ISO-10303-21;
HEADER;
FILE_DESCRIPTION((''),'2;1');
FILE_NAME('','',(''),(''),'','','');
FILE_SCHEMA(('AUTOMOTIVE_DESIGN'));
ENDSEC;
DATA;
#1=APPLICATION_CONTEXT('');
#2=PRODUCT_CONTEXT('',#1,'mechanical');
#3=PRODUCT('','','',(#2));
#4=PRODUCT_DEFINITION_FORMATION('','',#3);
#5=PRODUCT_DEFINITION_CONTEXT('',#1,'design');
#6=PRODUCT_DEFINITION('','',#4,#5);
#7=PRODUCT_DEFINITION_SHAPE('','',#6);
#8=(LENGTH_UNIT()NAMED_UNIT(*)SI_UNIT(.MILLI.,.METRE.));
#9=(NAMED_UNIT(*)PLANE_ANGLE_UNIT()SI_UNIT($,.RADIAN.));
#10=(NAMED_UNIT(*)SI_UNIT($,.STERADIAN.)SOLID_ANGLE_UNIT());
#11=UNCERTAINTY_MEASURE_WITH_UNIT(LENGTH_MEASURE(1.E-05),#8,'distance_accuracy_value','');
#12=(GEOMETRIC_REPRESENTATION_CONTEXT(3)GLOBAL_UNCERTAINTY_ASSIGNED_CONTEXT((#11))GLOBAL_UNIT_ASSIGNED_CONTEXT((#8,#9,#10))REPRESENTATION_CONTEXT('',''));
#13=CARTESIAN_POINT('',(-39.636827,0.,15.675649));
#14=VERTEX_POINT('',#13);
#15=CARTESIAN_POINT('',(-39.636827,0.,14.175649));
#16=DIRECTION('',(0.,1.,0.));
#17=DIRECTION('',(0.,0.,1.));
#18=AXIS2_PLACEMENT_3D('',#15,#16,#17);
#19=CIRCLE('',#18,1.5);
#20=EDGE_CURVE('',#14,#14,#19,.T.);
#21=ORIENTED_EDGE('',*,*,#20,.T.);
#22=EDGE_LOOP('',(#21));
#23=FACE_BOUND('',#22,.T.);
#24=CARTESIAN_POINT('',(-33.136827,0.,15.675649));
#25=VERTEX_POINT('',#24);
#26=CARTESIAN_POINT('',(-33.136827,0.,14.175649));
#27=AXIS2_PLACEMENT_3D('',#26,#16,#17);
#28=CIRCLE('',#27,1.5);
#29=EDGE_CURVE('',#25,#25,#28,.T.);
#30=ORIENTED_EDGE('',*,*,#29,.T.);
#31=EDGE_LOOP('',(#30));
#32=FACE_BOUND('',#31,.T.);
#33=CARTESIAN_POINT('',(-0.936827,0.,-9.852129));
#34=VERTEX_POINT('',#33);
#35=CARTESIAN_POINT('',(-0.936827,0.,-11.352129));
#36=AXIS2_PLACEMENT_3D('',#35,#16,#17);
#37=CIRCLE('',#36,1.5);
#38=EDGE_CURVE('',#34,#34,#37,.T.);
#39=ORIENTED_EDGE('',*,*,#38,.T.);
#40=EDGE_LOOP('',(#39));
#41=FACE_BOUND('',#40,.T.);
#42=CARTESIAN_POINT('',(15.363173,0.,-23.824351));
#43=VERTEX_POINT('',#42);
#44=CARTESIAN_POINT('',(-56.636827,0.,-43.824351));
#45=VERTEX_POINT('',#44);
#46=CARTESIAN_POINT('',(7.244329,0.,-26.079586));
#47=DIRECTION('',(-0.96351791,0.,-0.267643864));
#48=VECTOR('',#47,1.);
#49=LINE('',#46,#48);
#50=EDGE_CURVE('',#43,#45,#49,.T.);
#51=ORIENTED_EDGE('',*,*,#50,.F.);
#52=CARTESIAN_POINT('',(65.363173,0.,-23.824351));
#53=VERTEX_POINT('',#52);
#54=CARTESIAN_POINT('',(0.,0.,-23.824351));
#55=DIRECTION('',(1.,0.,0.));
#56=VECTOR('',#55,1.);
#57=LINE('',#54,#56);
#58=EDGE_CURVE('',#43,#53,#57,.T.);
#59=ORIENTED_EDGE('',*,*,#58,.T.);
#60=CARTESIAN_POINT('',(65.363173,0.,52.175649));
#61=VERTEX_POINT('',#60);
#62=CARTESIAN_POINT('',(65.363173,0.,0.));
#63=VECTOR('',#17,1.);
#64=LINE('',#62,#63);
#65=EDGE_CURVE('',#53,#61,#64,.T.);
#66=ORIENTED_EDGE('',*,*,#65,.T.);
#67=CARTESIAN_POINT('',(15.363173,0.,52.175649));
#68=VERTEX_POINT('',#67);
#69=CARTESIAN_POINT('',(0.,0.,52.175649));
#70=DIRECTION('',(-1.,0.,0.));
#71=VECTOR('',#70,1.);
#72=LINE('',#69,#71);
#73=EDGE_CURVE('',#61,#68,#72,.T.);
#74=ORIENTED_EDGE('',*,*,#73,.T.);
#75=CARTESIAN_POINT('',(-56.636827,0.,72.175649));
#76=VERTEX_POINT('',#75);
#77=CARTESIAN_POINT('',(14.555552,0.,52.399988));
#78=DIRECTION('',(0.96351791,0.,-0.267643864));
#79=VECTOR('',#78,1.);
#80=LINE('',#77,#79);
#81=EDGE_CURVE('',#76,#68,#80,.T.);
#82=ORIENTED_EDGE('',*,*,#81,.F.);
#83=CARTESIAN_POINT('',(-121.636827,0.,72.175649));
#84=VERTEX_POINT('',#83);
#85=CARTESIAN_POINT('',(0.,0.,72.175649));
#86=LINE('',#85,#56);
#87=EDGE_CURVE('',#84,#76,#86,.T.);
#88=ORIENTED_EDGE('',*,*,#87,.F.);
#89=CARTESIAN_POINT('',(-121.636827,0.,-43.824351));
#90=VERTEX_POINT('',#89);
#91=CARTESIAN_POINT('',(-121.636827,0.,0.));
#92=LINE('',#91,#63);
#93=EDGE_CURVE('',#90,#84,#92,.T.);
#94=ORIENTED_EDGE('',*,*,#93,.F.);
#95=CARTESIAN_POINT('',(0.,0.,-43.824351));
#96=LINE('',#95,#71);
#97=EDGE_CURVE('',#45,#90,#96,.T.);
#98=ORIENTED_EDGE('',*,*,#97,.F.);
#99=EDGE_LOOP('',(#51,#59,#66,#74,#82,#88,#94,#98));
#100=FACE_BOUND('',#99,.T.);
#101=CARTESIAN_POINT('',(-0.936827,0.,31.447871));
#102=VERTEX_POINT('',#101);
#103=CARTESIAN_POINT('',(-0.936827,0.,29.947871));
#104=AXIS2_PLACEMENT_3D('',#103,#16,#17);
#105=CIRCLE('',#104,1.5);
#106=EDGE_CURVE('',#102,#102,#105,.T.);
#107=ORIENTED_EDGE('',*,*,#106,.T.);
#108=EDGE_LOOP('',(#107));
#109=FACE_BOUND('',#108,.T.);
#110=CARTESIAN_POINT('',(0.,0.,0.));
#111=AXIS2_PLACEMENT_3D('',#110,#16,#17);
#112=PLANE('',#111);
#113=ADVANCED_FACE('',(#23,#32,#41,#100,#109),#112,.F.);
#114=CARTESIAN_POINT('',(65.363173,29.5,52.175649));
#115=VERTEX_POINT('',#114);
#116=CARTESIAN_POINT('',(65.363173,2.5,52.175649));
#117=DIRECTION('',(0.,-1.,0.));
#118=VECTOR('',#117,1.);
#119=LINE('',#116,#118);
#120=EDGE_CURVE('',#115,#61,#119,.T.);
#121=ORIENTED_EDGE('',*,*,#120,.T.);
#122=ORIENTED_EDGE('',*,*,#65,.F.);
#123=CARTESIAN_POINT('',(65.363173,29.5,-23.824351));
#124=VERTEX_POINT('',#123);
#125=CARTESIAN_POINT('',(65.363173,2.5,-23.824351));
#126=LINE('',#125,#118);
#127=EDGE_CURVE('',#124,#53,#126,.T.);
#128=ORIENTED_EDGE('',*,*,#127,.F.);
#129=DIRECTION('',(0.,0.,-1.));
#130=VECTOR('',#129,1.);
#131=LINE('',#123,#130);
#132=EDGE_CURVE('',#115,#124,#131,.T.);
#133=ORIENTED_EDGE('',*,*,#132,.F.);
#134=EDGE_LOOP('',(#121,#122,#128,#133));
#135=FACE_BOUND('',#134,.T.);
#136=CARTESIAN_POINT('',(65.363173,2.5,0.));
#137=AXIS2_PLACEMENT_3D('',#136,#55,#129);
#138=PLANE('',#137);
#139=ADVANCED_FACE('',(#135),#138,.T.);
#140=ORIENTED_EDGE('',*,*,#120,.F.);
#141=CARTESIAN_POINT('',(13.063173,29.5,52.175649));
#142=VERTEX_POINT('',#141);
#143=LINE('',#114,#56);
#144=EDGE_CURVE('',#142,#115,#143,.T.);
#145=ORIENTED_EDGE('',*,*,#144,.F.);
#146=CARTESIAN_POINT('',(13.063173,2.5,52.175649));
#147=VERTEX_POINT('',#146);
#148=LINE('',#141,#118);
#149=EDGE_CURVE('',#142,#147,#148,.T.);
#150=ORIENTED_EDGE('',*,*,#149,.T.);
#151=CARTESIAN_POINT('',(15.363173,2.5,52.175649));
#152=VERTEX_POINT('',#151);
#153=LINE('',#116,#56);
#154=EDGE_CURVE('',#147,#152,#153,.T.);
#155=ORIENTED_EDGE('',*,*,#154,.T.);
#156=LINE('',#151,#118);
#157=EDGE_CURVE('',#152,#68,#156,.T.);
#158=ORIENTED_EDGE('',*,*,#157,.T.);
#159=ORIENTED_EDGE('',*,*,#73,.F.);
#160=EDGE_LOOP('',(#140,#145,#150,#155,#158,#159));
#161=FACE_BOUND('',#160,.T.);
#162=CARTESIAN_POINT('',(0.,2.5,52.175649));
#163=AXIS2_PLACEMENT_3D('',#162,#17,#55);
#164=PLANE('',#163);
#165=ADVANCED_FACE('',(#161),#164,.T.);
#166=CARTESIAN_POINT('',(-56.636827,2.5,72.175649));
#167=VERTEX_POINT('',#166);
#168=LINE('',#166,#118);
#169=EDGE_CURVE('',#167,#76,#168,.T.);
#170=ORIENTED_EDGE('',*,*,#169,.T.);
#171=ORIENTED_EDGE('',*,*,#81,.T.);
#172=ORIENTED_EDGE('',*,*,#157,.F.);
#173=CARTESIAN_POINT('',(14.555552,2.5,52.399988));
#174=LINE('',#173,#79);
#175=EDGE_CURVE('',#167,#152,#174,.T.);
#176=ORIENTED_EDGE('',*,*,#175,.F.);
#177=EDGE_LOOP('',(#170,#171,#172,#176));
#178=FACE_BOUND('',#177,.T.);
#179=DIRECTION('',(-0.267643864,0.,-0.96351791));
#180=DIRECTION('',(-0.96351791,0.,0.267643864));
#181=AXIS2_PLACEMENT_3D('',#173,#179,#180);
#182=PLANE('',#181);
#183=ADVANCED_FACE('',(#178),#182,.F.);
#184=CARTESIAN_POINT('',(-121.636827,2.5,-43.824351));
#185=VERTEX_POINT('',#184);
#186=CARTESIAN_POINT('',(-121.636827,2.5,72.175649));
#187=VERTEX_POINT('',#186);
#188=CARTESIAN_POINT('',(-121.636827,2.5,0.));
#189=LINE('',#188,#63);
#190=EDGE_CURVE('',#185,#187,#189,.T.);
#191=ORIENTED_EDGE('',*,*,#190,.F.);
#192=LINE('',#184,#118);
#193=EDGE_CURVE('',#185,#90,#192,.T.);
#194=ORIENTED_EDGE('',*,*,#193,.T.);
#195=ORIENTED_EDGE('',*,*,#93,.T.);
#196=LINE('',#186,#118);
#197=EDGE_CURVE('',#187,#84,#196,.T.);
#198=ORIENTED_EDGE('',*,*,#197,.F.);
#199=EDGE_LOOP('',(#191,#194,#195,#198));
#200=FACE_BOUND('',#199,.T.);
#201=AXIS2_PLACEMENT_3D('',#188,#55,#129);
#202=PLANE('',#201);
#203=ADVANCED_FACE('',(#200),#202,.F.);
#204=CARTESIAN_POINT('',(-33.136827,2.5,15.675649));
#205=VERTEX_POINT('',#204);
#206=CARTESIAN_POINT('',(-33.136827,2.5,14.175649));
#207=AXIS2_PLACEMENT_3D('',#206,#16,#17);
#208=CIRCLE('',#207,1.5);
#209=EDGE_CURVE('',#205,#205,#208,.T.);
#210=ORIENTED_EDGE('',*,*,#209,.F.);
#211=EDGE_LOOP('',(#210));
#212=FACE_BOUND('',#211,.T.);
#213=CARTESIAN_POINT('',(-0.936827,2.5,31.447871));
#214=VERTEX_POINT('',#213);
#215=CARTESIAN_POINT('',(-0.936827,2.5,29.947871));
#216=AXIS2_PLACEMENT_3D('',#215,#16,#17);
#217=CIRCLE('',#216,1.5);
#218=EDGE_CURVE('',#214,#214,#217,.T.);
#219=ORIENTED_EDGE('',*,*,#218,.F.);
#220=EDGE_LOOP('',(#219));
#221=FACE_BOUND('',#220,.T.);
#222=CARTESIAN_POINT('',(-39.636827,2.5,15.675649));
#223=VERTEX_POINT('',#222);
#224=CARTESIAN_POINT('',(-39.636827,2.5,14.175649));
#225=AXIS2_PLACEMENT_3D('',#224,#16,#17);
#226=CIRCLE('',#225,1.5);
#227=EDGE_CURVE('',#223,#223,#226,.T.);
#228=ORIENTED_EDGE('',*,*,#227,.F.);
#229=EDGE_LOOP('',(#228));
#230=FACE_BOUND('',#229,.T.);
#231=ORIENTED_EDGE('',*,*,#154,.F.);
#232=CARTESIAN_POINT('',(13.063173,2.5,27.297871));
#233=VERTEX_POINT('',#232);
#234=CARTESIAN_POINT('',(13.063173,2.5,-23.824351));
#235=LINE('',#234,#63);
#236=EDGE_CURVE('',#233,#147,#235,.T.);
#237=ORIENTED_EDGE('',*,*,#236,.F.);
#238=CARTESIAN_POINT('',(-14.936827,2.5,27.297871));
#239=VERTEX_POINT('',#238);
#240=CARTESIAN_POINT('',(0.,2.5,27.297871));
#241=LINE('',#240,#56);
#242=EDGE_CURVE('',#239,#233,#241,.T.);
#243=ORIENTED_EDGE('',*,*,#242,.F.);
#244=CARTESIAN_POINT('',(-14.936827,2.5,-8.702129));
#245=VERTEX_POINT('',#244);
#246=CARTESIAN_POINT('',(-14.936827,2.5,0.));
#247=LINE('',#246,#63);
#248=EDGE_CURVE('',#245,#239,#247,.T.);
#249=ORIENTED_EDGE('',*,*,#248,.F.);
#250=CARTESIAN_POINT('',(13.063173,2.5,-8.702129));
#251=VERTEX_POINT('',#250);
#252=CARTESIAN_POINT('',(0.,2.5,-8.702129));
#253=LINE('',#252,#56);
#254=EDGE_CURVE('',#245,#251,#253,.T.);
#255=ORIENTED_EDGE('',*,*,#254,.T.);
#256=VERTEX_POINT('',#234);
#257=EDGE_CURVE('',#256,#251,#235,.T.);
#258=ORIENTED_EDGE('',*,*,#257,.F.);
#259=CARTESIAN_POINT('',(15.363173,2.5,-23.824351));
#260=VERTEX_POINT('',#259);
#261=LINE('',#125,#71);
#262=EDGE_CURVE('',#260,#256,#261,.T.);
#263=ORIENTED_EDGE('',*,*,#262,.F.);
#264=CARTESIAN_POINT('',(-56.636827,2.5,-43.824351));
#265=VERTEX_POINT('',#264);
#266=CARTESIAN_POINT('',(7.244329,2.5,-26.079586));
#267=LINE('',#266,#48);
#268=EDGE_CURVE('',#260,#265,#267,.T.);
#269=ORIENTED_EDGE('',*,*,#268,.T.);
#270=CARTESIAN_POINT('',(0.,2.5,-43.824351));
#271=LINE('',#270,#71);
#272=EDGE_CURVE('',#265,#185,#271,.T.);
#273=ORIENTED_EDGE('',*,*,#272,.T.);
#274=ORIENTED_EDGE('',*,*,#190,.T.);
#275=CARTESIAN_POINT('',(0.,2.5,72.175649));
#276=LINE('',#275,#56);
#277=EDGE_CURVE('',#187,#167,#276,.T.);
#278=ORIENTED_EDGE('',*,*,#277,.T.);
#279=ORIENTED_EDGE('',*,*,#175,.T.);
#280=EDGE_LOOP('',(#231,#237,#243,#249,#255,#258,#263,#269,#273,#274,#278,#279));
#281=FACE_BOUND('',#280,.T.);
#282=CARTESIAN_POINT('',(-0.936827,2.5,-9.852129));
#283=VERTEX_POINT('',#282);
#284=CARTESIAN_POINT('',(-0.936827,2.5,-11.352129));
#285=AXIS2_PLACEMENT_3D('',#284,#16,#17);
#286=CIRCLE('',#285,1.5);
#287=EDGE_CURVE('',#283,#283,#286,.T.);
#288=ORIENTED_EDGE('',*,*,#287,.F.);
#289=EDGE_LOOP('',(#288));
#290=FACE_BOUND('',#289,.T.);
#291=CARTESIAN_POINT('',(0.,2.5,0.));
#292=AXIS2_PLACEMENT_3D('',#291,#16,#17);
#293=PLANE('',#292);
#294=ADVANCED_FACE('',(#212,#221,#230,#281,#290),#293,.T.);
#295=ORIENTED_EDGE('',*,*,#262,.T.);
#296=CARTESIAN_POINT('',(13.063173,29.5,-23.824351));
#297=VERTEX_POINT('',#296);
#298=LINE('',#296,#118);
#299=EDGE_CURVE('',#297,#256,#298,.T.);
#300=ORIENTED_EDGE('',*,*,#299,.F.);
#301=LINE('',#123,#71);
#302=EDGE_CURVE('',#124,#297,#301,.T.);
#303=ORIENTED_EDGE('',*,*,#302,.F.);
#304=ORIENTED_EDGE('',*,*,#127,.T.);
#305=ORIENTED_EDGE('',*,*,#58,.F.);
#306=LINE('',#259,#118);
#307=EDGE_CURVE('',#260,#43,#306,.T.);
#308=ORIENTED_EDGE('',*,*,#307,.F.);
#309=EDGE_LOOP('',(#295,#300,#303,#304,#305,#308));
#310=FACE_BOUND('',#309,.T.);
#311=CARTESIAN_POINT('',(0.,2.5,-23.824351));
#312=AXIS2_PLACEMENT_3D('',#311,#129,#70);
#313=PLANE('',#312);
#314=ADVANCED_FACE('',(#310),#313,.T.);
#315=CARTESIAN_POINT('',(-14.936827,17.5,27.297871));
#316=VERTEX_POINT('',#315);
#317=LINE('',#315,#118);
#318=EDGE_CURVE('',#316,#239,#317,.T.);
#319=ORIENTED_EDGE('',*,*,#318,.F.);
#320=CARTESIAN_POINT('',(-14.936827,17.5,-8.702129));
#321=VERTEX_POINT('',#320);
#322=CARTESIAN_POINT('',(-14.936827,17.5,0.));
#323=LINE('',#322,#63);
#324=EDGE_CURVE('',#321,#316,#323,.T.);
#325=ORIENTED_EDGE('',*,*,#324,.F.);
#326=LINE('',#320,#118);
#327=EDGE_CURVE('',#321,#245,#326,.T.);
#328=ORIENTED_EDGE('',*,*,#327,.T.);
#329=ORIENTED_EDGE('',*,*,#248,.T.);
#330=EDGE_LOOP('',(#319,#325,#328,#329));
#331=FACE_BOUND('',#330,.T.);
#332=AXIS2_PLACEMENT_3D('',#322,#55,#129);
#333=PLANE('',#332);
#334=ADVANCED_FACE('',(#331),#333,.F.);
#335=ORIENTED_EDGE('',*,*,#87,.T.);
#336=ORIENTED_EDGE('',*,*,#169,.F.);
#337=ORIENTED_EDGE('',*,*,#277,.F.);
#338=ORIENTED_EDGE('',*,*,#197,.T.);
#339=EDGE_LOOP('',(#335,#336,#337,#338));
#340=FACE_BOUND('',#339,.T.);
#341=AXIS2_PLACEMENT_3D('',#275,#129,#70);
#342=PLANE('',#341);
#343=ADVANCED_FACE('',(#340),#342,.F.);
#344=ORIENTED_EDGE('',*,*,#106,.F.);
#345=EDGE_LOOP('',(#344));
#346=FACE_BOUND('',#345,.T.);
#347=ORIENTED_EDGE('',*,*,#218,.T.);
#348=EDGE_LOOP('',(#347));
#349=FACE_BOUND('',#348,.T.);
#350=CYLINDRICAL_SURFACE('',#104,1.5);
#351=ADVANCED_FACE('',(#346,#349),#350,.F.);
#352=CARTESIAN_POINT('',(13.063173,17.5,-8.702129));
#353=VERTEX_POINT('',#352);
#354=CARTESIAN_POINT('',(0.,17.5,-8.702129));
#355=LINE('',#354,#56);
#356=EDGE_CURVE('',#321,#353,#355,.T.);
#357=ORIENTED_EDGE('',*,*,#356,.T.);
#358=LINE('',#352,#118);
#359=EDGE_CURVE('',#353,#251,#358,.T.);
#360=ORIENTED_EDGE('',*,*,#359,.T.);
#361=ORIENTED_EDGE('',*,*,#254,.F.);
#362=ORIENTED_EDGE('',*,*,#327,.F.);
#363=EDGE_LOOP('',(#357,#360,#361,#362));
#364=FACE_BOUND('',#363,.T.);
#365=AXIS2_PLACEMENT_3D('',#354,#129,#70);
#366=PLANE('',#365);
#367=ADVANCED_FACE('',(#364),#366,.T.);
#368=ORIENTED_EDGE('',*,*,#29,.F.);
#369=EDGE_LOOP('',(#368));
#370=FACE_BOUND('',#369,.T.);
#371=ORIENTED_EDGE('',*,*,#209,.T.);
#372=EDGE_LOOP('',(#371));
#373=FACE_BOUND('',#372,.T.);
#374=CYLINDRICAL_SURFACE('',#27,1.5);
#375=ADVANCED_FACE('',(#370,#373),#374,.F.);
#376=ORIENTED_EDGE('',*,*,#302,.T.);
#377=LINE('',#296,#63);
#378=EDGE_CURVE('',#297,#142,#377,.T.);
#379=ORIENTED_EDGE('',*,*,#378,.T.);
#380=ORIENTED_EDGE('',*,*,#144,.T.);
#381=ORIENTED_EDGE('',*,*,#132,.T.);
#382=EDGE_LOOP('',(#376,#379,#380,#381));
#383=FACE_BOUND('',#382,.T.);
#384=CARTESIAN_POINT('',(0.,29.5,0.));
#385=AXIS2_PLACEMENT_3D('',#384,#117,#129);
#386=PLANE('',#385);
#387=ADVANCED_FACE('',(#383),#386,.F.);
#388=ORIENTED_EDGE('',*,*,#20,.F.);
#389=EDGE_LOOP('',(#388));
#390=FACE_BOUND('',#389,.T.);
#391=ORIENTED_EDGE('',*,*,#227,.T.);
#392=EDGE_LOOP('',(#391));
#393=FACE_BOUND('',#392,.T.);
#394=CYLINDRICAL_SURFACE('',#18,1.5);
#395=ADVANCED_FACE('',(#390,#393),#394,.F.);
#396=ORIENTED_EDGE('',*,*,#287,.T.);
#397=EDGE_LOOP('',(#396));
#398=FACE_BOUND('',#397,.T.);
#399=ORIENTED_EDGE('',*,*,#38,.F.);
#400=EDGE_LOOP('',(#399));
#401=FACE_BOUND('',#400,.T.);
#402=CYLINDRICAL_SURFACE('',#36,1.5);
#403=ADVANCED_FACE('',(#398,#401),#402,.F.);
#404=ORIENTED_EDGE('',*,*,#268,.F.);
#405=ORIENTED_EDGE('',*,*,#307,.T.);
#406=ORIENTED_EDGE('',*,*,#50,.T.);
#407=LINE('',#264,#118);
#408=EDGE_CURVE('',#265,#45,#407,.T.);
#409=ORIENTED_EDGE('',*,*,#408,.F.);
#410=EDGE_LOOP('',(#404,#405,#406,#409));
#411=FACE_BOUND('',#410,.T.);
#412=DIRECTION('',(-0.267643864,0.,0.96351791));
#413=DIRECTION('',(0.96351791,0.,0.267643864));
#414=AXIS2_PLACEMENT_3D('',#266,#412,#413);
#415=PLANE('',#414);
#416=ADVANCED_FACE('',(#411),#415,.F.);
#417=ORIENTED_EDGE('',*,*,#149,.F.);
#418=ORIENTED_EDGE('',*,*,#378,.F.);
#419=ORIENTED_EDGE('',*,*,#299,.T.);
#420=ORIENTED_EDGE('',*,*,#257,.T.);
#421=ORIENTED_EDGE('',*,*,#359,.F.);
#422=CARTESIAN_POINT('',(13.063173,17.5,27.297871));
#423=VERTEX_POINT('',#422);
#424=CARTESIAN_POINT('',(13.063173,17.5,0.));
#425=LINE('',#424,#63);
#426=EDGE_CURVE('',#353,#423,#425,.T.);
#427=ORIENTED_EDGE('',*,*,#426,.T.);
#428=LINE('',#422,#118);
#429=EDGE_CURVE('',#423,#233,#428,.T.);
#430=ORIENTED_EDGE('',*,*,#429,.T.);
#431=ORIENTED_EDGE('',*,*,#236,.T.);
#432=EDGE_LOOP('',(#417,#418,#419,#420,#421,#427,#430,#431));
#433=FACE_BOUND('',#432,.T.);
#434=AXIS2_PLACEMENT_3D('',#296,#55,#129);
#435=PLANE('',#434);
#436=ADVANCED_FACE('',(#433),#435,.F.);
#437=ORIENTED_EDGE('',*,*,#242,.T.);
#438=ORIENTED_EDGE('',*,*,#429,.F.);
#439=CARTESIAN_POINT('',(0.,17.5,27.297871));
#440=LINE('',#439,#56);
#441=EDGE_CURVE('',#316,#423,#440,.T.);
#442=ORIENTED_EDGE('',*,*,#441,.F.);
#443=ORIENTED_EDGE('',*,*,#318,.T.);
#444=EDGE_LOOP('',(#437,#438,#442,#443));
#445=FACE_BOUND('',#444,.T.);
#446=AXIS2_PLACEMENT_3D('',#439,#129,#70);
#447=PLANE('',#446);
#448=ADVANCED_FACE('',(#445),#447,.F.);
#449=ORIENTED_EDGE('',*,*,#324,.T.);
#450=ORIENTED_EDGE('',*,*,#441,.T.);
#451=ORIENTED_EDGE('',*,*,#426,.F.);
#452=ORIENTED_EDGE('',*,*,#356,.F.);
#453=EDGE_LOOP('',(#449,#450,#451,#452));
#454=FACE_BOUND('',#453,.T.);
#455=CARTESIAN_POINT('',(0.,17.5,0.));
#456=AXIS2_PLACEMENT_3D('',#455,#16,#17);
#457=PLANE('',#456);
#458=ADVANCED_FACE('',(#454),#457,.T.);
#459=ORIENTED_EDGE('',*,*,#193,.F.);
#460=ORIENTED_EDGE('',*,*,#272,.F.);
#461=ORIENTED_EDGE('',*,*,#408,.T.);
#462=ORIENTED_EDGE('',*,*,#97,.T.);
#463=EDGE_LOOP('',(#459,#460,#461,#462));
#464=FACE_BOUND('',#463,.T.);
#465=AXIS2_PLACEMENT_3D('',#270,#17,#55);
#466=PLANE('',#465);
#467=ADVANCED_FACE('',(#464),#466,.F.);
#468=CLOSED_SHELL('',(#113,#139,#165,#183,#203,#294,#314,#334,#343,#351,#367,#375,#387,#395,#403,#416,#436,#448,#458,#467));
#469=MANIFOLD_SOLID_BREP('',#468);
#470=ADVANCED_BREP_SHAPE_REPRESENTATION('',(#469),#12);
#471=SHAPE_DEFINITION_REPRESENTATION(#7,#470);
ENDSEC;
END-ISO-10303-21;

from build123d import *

# Parameters (mm, degrees)
BOSS_EXTRUDE1_DEPTH = 2.5
SKETCH2_R           = 1.5
CUT_EXTRUDE1_DEPTH  = 142.460566572
SKETCH3_R           = 1.5
CUT_EXTRUDE2_DEPTH  = 142.460566572
BOSS_EXTRUDE2_DEPTH = 15
SKETCH5_W           = 52.3
SKETCH5_H           = 76
BOSS_EXTRUDE3_DEPTH = 27


with BuildPart() as part:
    # Sketch1 → Boss-Extrude1 (new body)
    with BuildSketch(Plane(origin=(0, 0, 0), x_dir=(1, 0, 0), z_dir=(0, 1, 0))):
        Polygon((15.363173147, 23.82435142), (-56.636826853, 43.82435142), (-121.636826853, 43.82435142), (-121.636826853, -72.17564858), (-56.636826853, -72.17564858), (15.363173147, -52.17564858), (65.363173147, -52.17564858), (65.363173147, 23.82435142), align=None)
    extrude(amount=BOSS_EXTRUDE1_DEPTH)

    # Sketch2 → Cut-Extrude1 (cut, through all)
    with BuildSketch(Plane(origin=(0, 2.5, 0), x_dir=(1, 0, 0), z_dir=(0, 1, 0))):
        with Locations((-39.636826853, -14.17564858)):
            Circle(SKETCH2_R)
        with Locations((-33.136826853, -14.17564858)):
            Circle(SKETCH2_R)
    extrude(amount=-CUT_EXTRUDE1_DEPTH, mode=Mode.SUBTRACT)

    # Sketch3 → Cut-Extrude2 (cut, through all)
    with BuildSketch(Plane(origin=(0, 2.5, 0), x_dir=(1, 0, 0), z_dir=(0, 1, 0))):
        with Locations((-0.936826853, 11.352129198)):
            Circle(SKETCH3_R)
        with Locations((-0.936826853, -29.947870802)):
            Circle(SKETCH3_R)
    extrude(amount=-CUT_EXTRUDE2_DEPTH, mode=Mode.SUBTRACT)

    # Sketch4 → Boss-Extrude2 (add)
    with BuildSketch(Plane(origin=(0, 2.5, 0), x_dir=(1, 0, 0), z_dir=(0, 1, 0))):
        Polygon((-0.936826853, 8.702129198), (-14.936826853, 8.702129198), (-14.936826853, -27.297870802), (-0.936826853, -27.297870802), (13.063173147, -27.297870802), (13.063173147, 8.702129198), align=None)
    extrude(amount=BOSS_EXTRUDE2_DEPTH)

    # Sketch5 → Boss-Extrude3 (add)
    with BuildSketch(Plane(origin=(0, 2.5, 0), x_dir=(1, 0, 0), z_dir=(0, 1, 0))):
        with Locations((39.213173147, -14.17564858)):
            Rectangle(SKETCH5_W, SKETCH5_H)
    extrude(amount=BOSS_EXTRUDE3_DEPTH)


solid = part.part
